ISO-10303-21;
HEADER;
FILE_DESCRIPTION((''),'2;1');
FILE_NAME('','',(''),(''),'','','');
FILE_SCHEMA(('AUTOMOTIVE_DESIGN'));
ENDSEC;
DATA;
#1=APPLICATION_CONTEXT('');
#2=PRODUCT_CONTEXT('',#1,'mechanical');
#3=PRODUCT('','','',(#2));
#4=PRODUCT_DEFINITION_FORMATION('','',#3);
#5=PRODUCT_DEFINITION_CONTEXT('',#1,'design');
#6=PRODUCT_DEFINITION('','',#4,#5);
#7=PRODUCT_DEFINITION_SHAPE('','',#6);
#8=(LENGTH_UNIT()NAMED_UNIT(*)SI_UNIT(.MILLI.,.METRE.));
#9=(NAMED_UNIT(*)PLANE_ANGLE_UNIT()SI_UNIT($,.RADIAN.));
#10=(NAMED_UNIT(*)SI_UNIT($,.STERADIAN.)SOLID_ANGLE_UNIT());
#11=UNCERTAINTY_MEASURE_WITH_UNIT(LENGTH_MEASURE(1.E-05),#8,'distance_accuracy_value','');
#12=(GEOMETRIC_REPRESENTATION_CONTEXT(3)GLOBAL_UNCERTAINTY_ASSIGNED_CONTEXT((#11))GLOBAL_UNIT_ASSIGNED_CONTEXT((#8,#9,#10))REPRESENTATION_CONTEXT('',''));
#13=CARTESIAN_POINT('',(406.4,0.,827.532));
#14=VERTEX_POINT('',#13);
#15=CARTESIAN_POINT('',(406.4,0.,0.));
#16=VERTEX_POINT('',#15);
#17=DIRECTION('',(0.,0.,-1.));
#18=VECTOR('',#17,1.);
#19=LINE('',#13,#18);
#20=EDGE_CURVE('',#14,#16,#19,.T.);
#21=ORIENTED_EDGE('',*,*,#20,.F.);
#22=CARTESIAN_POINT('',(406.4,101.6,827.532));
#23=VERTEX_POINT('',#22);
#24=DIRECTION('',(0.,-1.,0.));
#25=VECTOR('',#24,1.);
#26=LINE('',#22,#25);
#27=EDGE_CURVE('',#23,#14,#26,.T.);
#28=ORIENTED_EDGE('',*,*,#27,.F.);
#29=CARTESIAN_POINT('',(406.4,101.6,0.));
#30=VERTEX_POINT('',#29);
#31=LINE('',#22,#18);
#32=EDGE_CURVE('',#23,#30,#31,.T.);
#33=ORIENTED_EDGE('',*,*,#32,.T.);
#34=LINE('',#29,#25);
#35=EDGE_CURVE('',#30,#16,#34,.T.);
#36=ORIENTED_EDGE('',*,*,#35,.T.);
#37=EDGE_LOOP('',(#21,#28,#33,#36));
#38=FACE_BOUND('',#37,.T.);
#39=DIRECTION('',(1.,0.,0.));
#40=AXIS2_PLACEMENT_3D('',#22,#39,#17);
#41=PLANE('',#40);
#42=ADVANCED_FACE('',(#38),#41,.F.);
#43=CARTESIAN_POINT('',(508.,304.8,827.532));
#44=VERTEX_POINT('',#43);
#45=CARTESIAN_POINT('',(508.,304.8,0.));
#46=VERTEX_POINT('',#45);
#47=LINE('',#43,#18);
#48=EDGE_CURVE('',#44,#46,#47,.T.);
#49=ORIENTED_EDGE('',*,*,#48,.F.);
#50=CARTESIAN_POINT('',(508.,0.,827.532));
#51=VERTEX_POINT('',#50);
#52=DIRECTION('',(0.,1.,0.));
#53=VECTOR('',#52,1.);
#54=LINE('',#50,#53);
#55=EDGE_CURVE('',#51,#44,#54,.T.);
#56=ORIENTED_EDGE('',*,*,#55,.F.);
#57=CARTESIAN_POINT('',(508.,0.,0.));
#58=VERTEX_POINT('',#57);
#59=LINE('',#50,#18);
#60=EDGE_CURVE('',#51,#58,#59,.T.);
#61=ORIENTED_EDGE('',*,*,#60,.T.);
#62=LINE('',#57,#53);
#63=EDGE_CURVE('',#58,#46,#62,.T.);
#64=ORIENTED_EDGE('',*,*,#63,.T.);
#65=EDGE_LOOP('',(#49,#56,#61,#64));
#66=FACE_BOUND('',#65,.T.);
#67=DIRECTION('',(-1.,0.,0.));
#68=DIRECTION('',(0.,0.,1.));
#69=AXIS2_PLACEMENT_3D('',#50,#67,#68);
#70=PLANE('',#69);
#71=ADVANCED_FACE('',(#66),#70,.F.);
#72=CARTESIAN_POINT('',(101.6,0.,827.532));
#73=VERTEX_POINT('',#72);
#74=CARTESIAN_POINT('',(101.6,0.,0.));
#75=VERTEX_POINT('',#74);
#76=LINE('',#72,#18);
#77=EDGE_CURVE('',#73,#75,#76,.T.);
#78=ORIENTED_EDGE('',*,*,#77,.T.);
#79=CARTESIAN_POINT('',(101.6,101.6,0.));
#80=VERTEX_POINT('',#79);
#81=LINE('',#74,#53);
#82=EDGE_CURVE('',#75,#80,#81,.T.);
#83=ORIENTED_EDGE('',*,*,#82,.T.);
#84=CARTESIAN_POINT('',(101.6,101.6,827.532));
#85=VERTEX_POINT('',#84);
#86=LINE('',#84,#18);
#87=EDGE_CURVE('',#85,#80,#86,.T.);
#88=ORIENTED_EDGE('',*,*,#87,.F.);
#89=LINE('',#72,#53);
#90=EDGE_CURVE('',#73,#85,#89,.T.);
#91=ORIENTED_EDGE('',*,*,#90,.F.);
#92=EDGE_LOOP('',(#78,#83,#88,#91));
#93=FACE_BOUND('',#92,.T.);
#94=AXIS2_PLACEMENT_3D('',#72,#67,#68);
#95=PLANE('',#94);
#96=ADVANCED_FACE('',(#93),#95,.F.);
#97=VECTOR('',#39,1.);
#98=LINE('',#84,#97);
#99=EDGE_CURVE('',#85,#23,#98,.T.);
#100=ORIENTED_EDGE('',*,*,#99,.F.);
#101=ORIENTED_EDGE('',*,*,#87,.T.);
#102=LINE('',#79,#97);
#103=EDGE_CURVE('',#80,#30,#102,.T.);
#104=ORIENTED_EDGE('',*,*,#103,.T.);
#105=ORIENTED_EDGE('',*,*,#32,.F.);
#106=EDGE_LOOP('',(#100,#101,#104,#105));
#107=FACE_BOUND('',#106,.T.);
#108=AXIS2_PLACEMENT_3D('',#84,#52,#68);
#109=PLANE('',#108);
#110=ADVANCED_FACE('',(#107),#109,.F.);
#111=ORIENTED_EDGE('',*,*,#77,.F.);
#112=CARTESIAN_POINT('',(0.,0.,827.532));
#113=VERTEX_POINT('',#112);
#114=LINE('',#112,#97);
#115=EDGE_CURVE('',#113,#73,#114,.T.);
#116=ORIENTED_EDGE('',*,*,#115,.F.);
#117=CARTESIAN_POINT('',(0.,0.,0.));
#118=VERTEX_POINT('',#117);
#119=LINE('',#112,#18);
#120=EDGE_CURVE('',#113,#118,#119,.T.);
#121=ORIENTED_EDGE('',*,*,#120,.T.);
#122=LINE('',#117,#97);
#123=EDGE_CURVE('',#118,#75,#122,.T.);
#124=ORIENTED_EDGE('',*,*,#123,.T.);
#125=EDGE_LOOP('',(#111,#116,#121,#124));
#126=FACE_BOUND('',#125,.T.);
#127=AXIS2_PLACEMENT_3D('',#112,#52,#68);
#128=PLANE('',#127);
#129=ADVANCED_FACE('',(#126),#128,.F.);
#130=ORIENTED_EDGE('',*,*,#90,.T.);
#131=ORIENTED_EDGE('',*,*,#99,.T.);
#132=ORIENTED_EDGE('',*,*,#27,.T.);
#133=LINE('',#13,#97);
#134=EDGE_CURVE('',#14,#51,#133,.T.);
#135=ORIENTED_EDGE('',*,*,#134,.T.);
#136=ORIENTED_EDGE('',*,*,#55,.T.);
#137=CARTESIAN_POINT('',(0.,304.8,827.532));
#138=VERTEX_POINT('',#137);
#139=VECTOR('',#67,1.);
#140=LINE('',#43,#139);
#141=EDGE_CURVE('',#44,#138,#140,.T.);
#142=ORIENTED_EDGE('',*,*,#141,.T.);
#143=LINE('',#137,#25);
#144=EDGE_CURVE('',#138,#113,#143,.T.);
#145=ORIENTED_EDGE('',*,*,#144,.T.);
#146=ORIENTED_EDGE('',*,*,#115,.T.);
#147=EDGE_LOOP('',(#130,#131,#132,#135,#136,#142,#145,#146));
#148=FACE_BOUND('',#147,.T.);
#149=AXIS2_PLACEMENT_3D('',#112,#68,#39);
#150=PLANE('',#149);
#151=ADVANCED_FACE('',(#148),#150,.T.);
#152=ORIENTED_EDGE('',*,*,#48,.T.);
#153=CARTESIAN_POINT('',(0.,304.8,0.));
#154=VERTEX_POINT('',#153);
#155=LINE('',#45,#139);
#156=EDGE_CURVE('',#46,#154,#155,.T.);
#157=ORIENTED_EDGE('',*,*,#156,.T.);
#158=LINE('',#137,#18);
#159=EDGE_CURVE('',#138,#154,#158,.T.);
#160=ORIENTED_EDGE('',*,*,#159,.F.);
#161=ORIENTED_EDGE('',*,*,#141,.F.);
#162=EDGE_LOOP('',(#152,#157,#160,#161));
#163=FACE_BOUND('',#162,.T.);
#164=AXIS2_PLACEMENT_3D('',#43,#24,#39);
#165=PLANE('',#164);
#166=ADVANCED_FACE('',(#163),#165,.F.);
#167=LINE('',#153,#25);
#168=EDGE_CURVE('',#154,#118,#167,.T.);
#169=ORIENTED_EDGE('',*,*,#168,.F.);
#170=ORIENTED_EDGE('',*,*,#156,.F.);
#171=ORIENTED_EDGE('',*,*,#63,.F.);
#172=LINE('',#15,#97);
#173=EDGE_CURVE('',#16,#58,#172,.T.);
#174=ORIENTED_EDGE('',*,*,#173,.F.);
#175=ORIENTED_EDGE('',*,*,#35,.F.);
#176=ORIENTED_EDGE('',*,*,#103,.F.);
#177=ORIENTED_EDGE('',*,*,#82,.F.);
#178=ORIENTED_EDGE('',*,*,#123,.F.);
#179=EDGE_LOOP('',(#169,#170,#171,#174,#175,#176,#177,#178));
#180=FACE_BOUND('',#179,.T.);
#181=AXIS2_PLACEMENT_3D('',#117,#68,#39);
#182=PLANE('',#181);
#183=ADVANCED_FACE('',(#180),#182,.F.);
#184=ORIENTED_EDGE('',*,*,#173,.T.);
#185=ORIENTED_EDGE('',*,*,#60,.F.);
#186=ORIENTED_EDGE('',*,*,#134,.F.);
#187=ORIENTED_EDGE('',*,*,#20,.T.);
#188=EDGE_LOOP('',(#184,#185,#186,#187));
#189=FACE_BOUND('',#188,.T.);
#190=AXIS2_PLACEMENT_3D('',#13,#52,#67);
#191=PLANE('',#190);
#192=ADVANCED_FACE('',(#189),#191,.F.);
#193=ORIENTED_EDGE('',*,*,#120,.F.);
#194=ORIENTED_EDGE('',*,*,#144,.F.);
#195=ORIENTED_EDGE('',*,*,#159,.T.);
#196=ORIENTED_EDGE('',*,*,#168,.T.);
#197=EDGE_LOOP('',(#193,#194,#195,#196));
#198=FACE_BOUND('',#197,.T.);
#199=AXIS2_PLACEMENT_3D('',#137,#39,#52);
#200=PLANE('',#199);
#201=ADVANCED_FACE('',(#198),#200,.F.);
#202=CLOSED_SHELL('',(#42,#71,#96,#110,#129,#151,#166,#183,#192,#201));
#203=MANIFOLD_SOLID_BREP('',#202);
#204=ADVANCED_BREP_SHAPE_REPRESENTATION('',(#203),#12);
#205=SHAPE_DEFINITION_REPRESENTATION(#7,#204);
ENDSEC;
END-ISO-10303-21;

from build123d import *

# Parameters (mm, degrees)
EXTRUDE1_DEPTH = 827.532


with BuildPart() as part:
    # Sketch1 → Extrude1 (new body)
    with BuildSketch(Plane.XY):
        Polygon((0, 0), (101.6, 0), (101.6, 101.6), (406.4, 101.6), (406.4, 0), (508, 0), (508, 304.8), (0, 304.8), align=None)
    extrude(amount=EXTRUDE1_DEPTH)


solid = part.part
